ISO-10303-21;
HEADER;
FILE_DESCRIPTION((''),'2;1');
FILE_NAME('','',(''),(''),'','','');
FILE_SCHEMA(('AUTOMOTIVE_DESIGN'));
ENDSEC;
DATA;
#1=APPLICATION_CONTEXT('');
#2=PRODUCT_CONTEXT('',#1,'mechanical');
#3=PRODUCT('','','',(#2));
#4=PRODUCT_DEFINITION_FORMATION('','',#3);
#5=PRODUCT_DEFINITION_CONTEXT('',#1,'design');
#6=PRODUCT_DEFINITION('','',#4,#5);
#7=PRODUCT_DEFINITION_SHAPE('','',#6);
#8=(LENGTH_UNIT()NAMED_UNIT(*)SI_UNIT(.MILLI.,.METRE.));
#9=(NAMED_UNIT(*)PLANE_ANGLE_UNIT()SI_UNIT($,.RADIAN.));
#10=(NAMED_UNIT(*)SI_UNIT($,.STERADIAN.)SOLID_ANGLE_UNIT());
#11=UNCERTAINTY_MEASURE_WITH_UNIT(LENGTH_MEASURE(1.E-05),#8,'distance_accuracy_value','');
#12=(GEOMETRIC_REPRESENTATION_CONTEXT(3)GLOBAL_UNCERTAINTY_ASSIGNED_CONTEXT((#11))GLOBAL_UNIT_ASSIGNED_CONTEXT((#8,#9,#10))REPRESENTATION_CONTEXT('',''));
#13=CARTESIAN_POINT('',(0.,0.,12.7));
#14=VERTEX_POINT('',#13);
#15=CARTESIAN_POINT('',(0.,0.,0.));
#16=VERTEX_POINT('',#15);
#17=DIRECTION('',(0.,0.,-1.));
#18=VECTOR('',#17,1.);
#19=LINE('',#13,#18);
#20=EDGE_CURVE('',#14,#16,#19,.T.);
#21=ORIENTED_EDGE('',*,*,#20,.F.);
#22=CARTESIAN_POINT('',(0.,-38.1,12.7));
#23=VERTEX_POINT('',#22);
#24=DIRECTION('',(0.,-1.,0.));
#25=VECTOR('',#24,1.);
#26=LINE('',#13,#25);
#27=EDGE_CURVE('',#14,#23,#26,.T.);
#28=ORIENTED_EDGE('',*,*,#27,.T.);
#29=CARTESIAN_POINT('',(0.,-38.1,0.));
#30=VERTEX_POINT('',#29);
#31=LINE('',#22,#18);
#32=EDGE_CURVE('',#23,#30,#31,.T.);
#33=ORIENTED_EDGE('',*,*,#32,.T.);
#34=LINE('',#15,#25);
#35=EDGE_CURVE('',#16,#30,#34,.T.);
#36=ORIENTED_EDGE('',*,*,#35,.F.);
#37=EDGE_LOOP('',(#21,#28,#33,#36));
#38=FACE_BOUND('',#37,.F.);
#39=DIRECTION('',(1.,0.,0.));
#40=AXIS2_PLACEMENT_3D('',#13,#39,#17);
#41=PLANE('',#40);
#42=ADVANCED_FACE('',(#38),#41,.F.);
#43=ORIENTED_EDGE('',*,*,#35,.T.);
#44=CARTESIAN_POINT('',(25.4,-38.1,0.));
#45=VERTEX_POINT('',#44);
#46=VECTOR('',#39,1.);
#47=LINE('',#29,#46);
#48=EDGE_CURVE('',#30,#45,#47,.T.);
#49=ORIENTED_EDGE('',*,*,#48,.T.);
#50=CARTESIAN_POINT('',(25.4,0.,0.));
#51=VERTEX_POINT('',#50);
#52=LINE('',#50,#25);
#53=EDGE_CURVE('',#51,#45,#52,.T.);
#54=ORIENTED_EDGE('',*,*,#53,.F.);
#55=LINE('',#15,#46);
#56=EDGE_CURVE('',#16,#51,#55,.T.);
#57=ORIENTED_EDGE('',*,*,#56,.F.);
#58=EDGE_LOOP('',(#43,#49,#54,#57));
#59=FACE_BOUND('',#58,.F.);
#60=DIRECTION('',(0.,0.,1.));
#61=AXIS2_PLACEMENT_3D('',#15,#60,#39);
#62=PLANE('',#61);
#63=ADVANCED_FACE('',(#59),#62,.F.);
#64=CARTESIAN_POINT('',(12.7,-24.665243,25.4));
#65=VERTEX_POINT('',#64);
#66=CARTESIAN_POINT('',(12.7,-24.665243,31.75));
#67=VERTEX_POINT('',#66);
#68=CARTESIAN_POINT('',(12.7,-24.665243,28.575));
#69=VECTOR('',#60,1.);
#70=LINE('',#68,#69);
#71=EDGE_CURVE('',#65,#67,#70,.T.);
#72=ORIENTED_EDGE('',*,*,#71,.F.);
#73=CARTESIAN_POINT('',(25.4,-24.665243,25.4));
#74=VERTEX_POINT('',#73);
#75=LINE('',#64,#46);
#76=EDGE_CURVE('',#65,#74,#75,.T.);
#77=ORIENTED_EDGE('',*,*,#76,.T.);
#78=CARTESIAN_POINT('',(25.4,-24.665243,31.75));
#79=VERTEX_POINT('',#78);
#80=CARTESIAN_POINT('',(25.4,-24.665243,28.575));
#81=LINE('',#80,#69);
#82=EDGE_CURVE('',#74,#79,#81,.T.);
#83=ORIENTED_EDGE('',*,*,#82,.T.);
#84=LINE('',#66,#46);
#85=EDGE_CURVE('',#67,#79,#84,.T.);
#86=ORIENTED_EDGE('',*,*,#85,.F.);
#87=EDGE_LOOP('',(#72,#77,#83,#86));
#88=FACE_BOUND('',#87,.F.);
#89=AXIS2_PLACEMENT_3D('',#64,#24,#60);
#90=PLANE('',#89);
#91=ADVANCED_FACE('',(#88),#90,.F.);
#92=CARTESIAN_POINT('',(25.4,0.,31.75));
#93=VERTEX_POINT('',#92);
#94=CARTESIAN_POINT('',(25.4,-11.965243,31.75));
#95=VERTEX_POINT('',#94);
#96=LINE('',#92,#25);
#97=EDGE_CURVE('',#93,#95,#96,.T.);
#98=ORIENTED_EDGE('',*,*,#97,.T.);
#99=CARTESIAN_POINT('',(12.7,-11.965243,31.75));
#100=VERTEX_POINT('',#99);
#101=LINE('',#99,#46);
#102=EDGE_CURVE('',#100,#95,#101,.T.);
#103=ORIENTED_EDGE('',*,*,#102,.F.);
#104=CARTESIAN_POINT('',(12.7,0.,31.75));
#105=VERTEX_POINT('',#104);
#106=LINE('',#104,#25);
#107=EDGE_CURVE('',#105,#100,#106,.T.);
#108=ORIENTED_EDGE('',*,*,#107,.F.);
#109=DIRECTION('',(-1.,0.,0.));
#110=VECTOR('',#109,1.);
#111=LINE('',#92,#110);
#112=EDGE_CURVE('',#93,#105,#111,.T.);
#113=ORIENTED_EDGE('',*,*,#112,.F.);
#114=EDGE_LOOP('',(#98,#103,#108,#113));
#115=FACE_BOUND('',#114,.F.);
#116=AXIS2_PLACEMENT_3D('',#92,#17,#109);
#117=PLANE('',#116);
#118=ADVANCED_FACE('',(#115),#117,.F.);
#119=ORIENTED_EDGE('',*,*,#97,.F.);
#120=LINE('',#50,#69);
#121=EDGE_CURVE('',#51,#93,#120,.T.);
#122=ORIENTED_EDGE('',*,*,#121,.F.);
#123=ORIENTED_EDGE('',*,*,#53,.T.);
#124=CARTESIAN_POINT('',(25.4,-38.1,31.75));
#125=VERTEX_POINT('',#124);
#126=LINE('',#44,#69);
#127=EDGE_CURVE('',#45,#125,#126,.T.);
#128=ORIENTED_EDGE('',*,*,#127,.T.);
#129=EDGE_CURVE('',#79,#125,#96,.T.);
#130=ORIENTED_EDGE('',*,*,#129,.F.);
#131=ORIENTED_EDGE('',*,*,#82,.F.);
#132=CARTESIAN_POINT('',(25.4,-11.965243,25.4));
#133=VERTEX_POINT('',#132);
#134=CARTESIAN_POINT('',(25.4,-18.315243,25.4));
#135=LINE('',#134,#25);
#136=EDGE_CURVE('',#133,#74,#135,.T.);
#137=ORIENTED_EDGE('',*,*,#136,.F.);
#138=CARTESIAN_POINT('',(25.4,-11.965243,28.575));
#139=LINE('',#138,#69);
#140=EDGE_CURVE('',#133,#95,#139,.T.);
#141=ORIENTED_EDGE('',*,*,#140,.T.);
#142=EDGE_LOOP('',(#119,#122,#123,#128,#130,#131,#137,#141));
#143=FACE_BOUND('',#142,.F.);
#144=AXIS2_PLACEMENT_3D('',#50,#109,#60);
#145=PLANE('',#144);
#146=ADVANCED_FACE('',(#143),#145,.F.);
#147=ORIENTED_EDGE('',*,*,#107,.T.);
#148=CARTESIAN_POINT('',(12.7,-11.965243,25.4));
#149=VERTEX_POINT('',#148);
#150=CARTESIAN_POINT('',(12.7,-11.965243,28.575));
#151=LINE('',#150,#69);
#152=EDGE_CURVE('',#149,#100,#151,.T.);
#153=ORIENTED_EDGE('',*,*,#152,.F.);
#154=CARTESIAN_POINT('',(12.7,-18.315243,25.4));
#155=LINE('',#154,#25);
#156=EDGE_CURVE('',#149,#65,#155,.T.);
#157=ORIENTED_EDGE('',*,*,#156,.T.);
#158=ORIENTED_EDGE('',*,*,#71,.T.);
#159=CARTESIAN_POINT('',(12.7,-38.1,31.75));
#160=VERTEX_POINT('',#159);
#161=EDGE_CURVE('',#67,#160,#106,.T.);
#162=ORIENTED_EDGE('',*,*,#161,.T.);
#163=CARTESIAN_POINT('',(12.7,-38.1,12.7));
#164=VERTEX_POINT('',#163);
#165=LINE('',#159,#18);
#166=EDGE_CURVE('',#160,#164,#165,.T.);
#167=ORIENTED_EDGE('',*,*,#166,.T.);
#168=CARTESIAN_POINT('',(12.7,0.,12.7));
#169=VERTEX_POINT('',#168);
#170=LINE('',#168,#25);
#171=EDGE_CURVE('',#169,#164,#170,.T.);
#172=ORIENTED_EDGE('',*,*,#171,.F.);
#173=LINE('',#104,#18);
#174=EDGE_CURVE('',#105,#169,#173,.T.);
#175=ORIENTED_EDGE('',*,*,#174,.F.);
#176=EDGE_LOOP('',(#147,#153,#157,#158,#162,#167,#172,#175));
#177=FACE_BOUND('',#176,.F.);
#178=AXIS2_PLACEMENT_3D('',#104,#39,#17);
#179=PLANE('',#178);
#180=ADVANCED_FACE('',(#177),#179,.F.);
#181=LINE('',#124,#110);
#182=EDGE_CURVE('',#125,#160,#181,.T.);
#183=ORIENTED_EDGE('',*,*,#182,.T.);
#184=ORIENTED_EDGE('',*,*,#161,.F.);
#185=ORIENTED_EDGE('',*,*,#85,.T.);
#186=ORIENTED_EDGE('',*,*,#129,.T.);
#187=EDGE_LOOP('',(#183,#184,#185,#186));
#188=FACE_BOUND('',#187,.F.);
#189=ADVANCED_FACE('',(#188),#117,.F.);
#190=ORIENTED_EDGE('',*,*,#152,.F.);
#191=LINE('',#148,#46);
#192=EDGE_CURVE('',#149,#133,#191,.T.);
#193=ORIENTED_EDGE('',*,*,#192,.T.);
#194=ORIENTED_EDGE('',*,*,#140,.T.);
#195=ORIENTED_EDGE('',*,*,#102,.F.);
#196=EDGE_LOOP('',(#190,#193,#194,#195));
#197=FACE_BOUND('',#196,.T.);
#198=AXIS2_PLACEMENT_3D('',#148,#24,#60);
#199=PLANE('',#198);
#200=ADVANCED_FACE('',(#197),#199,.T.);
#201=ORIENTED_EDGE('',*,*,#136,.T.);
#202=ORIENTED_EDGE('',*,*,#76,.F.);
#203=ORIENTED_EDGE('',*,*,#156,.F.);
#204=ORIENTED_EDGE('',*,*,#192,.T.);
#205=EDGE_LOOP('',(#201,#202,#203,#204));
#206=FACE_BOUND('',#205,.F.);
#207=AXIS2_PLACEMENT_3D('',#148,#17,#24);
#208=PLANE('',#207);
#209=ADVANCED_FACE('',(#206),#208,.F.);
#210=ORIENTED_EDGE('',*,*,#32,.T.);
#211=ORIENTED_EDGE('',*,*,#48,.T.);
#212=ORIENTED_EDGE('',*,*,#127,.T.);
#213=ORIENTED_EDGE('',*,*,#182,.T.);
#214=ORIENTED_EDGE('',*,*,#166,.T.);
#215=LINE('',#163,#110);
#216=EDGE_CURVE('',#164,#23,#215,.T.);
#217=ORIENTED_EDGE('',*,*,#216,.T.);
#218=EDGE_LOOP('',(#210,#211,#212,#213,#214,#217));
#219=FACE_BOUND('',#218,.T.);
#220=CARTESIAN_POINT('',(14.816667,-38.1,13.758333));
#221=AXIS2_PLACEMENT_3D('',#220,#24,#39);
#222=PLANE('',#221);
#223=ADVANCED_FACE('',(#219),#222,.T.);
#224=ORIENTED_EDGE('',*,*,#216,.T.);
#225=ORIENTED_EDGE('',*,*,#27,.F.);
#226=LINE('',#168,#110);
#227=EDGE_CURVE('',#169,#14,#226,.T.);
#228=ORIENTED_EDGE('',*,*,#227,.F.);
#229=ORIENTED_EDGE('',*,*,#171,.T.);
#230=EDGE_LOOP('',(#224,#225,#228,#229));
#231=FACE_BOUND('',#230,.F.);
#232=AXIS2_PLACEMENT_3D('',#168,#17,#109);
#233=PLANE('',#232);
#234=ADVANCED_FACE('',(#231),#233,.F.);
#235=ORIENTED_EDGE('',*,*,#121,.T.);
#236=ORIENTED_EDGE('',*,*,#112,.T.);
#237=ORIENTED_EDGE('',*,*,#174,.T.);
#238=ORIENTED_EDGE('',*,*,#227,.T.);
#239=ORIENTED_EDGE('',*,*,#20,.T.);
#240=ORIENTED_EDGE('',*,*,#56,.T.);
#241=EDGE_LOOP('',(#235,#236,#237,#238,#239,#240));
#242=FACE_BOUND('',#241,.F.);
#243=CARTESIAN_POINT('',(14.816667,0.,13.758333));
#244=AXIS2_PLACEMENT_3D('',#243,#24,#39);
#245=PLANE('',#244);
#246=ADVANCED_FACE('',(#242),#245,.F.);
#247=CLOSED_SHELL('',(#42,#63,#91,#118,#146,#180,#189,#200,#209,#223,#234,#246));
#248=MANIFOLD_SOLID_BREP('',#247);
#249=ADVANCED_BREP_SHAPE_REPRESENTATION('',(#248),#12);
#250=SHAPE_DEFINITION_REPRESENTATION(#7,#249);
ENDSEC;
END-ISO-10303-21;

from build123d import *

# Parameters (mm, degrees)
F1_DEPTH = 38.1
F2_W     = 12.7
F2_H     = 6.35
F3_DEPTH = 12.7


with BuildPart() as f1:
    # F0 (on Front) → F1 (new body)
    with BuildSketch(Plane.XZ):
        Polygon((0, 12.7), (0, 0), (25.4, 0), (25.4, 31.75), (12.7, 31.75), (12.7, 12.7), align=None)
    extrude(amount=F1_DEPTH)

    # F2 (on face) → F3 (cut)
    with BuildSketch(Plane(origin=(12.7, 0, 0), x_dir=(0, -1, 0), z_dir=(-1, 0, 0))):
        with Locations((18.315243, 28.575)):
            Rectangle(F2_W, F2_H)
    extrude(amount=-F3_DEPTH, mode=Mode.SUBTRACT)


solid = f1.part
